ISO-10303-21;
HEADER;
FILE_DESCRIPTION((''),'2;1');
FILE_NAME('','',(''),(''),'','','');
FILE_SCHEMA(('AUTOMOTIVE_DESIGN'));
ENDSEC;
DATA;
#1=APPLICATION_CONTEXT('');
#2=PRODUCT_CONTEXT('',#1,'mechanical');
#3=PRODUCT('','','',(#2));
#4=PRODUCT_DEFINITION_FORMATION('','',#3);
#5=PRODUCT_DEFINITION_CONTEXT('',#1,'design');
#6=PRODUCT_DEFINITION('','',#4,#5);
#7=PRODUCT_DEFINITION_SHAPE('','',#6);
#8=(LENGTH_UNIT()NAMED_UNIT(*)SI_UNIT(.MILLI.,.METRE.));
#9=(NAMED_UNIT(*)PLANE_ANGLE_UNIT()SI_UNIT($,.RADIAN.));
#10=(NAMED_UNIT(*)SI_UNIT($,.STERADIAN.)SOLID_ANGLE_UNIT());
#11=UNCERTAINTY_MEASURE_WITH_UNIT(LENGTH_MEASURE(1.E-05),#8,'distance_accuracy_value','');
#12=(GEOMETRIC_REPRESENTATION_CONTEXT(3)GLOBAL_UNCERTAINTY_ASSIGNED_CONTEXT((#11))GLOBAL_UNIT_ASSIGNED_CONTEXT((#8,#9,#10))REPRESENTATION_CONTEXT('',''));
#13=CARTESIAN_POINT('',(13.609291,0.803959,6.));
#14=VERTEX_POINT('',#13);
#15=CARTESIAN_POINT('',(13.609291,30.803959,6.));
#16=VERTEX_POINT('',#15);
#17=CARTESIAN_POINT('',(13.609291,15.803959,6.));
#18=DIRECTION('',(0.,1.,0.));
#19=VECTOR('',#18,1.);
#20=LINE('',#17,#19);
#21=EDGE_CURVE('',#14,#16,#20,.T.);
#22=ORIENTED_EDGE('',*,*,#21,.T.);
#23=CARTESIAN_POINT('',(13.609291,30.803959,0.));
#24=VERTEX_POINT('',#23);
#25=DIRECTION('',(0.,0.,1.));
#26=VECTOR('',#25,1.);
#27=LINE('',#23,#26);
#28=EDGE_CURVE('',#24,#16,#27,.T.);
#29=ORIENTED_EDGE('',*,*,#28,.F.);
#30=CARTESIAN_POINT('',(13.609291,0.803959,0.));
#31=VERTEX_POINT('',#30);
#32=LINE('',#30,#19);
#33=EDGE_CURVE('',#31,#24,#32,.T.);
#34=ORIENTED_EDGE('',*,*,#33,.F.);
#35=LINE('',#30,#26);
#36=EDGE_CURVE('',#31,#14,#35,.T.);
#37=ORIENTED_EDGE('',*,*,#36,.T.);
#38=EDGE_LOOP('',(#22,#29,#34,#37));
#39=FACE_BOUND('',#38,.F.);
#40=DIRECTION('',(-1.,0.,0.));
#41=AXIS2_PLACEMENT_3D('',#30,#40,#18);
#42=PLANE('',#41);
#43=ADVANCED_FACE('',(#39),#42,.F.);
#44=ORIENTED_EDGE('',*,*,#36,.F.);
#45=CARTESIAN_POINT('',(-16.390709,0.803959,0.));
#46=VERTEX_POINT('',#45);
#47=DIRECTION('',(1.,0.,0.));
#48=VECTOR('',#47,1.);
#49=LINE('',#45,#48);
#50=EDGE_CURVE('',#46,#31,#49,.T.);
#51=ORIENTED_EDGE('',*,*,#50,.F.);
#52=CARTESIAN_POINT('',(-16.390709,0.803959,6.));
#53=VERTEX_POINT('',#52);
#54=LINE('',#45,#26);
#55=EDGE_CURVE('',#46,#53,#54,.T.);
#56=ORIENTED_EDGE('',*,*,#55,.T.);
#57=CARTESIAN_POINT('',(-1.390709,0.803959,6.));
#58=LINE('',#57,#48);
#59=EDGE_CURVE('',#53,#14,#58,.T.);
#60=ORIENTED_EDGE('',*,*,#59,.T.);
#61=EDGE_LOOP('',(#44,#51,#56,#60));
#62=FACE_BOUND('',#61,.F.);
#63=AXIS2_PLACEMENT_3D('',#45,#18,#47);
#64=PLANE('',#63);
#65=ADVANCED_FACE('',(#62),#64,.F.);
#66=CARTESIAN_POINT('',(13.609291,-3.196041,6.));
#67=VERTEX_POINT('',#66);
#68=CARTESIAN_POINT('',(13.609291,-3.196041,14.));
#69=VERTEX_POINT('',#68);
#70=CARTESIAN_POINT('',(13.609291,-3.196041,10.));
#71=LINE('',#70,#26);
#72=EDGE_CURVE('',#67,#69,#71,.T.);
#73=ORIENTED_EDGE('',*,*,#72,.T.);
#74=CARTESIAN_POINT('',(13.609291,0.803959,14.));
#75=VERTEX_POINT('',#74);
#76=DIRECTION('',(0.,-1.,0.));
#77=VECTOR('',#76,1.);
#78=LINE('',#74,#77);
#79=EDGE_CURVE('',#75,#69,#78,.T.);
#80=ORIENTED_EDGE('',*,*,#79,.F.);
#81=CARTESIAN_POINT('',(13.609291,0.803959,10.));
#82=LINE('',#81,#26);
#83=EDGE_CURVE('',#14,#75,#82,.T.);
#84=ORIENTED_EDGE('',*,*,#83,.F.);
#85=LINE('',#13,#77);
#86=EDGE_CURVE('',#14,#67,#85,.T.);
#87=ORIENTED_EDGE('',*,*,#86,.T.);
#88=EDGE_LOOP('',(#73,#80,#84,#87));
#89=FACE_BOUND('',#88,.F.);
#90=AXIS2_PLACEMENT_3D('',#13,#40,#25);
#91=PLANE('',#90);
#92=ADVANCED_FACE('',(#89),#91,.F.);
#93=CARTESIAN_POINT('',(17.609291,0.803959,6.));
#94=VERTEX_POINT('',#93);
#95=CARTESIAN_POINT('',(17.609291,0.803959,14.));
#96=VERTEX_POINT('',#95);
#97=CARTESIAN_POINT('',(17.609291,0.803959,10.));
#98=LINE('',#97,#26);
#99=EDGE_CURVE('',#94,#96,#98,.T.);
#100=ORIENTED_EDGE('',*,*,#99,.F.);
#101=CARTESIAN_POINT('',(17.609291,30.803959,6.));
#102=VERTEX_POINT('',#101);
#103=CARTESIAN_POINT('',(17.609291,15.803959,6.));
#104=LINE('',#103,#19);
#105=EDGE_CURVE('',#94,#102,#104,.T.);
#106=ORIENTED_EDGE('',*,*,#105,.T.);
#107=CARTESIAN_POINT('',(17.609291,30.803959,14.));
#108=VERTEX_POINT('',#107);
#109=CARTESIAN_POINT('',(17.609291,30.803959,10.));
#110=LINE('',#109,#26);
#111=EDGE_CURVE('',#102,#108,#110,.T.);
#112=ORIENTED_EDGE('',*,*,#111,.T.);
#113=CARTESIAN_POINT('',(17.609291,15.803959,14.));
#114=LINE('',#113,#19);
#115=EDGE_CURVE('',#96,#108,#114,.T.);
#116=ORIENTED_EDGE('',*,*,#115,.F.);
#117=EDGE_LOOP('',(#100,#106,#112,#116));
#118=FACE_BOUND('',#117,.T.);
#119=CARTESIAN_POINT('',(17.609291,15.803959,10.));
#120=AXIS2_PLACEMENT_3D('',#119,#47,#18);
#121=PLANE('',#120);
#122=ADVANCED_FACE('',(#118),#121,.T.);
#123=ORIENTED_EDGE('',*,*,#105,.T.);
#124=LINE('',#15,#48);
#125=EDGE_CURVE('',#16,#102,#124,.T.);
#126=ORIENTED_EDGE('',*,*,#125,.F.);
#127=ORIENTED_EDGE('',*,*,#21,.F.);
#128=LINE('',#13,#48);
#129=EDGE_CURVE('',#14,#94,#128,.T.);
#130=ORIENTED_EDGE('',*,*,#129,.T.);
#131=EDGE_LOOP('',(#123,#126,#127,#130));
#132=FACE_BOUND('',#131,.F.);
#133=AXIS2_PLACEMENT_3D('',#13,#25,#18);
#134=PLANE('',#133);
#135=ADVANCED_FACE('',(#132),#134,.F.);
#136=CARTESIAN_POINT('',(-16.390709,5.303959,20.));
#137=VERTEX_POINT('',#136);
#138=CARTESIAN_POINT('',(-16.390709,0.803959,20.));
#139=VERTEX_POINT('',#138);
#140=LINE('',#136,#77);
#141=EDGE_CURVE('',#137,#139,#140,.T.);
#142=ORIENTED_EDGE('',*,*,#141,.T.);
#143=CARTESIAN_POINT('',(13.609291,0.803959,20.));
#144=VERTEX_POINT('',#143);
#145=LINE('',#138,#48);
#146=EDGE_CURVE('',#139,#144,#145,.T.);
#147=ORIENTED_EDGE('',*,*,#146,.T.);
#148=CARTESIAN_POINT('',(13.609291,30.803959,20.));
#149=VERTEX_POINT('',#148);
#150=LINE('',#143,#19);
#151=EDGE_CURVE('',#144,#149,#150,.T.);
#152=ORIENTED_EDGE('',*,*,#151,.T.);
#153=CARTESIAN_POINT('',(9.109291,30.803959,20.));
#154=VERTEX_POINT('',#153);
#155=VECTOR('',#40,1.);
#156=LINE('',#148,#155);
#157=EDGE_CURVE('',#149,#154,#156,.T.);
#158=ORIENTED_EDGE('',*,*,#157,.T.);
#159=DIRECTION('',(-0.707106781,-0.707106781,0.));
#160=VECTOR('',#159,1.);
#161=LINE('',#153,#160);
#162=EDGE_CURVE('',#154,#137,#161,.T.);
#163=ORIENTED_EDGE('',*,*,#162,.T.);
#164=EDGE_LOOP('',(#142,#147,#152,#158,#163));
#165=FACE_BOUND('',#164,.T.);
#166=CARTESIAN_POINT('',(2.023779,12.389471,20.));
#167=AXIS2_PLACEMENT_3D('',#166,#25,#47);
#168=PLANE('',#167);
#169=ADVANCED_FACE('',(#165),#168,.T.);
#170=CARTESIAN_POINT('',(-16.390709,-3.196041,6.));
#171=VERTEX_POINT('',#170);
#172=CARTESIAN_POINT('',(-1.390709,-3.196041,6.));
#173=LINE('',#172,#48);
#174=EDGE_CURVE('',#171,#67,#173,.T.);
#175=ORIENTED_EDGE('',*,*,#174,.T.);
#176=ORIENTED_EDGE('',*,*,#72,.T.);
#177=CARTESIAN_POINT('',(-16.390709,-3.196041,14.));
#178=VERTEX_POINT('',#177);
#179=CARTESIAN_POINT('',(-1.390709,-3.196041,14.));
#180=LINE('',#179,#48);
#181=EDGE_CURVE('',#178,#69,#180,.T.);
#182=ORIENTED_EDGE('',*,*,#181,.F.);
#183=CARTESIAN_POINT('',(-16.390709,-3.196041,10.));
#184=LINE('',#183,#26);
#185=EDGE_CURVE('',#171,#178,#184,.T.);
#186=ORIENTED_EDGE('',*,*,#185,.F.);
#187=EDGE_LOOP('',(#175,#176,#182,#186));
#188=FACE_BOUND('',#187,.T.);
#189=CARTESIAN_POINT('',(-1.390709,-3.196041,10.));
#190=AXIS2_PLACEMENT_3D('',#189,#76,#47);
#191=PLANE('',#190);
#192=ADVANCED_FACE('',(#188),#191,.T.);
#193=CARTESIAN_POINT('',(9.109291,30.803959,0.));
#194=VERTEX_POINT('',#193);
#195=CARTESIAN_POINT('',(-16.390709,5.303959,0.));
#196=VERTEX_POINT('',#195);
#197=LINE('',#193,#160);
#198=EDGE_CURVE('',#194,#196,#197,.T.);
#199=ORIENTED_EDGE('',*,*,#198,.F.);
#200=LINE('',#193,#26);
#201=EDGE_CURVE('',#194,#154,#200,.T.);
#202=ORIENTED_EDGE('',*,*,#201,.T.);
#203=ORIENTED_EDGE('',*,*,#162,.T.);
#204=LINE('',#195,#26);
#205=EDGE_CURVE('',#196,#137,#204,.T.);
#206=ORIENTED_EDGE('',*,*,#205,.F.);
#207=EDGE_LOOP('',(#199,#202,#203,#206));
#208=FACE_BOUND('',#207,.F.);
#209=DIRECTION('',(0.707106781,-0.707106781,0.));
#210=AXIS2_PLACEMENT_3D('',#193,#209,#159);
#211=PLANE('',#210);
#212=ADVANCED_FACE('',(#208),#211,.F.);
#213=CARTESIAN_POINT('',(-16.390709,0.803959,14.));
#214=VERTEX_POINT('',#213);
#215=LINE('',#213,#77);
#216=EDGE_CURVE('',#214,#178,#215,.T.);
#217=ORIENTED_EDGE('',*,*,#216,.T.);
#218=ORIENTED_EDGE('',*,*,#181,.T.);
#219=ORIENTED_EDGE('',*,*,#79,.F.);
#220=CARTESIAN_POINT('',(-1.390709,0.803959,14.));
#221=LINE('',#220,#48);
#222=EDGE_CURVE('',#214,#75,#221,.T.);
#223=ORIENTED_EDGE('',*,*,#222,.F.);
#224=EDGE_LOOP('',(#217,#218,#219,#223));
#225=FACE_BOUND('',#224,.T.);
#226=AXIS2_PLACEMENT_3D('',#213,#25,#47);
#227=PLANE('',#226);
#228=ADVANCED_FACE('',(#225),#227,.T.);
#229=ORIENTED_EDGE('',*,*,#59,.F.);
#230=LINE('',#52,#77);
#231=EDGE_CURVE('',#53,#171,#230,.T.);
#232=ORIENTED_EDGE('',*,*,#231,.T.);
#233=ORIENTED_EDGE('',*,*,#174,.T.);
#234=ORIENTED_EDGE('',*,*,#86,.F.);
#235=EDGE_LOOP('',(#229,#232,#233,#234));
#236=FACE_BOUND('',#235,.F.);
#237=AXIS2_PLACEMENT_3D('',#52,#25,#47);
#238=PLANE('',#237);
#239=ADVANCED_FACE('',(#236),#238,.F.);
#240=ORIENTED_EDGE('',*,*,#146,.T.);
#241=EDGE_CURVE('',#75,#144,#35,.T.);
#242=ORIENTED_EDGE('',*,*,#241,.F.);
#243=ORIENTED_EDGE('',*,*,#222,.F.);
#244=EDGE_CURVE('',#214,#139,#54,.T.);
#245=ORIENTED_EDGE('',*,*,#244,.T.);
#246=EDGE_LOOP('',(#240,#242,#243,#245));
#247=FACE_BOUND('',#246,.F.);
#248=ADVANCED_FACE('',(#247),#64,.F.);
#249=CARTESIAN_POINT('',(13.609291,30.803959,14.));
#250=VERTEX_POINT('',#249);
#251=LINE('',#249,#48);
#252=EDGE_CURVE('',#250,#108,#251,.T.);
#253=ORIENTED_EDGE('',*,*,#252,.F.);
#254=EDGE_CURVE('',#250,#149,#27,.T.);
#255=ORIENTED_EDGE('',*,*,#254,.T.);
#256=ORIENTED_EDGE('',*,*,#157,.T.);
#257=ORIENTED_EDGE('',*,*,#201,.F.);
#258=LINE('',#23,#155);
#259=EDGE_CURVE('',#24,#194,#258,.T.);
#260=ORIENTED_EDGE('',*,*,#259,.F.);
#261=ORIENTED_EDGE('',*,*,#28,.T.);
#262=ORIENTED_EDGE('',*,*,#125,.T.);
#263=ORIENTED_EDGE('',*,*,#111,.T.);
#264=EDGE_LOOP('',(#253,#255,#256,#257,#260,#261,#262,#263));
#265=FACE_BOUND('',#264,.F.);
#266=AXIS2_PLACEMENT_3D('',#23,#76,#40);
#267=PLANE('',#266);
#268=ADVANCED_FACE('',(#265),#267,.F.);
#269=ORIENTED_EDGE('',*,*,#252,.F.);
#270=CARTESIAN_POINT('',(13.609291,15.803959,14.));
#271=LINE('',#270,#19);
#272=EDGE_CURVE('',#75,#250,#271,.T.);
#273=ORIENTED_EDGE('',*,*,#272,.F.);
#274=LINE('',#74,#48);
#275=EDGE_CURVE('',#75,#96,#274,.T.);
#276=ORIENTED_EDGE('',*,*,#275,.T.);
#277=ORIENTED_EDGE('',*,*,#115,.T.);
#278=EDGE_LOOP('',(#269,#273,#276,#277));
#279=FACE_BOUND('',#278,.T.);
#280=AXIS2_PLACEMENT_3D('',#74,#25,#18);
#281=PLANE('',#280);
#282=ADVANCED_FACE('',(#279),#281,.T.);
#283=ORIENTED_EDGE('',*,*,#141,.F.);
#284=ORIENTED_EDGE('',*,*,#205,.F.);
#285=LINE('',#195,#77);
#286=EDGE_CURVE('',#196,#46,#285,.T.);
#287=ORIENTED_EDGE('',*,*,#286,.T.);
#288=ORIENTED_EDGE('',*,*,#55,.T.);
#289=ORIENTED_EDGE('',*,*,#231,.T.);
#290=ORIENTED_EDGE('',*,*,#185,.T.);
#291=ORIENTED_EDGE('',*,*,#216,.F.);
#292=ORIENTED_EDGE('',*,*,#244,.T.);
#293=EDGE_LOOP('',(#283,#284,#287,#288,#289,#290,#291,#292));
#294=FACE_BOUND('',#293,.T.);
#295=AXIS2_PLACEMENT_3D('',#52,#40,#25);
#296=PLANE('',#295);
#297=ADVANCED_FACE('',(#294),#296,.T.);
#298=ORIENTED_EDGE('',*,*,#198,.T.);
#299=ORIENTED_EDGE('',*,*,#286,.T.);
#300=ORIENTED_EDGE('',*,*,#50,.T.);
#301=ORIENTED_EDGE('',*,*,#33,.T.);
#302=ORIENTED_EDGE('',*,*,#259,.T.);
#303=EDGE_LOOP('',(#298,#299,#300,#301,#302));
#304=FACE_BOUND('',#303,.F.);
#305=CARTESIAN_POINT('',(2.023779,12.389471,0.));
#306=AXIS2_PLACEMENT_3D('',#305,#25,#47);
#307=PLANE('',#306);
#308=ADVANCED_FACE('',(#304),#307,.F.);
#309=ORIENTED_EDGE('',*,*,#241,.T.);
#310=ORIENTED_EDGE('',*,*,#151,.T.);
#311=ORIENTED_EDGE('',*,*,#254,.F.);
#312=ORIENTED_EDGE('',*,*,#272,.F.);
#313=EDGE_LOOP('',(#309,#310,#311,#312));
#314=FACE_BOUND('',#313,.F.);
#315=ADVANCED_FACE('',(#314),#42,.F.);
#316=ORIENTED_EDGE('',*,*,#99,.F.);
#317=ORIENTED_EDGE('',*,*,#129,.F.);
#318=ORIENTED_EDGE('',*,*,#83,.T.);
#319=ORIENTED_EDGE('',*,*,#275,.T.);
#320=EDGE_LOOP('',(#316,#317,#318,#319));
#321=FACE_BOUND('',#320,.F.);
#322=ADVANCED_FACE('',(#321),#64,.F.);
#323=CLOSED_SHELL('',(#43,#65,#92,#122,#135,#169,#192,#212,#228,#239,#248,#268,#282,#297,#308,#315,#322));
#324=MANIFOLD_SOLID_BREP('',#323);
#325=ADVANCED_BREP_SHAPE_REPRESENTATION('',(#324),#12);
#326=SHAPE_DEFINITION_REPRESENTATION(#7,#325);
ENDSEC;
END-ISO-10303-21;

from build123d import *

# Parameters (mm, degrees)
PAD_DEPTH    = 20
SKETCH001_W  = 30
SKETCH001_H  = 8
PAD001_DEPTH = 4
SKETCH002_W  = 30
SKETCH002_H  = 8
PAD002_DEPTH = 4


with BuildPart() as part:
    # Sketch → Pad (new body)
    with BuildSketch(Plane.XY):
        Polygon((9.109291, 30.803959), (-16.390709, 5.303959), (-16.390709, 0.803959), (13.609291, 0.803959), (13.609291, 30.803959), align=None)
    extrude(amount=PAD_DEPTH)

    # Sketch001 (on Face4 of Pad) → Pad001 (join)
    with BuildSketch(Plane.YZ.offset(13.609291)):
        with Locations((15.803959, 10)):
            Rectangle(SKETCH001_W, SKETCH001_H)
    extrude(amount=PAD001_DEPTH)

    # Sketch002 (on Face9 of Pad001) → Pad002 (join)
    with BuildSketch(Plane.XZ.offset(-0.803959)):
        with Locations((-1.390709, 10)):
            Rectangle(SKETCH002_W, SKETCH002_H)
    extrude(amount=PAD002_DEPTH)


solid = part.part
